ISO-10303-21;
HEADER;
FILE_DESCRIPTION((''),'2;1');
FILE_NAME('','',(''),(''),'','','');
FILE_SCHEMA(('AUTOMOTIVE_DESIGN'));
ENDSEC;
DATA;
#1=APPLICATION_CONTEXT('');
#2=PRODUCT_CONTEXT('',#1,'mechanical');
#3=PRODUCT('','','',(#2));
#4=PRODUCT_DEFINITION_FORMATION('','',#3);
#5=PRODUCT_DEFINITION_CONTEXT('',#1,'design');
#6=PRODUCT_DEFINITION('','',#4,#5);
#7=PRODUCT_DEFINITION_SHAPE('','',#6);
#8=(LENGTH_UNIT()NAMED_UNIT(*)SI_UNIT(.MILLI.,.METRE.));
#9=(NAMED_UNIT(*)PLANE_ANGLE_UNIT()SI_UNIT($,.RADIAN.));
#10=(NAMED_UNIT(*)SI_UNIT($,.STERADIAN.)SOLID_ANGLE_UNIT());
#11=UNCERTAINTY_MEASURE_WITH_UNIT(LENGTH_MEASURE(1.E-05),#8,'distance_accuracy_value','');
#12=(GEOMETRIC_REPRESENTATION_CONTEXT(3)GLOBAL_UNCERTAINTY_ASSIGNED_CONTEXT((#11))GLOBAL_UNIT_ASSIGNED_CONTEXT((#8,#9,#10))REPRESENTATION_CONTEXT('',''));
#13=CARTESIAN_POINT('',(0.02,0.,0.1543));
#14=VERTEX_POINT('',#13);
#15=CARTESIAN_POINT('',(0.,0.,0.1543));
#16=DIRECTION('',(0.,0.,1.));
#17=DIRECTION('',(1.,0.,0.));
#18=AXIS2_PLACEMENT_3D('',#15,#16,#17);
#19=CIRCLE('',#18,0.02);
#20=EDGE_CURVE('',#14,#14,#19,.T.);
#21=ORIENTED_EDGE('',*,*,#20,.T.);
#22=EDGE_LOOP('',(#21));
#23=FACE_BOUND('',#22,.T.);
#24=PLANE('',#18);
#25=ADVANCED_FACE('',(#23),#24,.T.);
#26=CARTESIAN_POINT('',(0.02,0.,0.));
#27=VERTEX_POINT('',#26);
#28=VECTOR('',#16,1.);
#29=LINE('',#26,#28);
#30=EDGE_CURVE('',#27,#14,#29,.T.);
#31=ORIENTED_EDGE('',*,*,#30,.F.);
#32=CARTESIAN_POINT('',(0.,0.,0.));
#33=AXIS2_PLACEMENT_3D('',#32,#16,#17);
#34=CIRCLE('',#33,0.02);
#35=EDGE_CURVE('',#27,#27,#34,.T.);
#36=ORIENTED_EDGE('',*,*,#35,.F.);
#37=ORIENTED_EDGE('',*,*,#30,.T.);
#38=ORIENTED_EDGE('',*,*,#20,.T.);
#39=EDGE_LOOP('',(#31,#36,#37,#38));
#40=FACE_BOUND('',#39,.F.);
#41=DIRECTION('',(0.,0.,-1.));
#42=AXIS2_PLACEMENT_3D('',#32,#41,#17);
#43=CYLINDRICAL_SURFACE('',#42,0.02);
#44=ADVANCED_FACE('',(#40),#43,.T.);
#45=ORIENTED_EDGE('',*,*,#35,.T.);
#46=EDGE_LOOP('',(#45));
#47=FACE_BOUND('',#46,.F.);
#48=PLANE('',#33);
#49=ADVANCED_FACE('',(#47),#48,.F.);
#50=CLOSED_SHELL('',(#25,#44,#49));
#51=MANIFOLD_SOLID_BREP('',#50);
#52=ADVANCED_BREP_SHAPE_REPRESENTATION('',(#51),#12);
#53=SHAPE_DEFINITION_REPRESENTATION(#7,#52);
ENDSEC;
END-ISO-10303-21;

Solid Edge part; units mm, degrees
sketch "Sketch1" plane through (0, 0, 0) normal (0, 0, 1) x (1, 0, 0)
  circle A0 centre (0, 0) radius 0.02
  dimension "D1" = 0.04
extrude "Protrusion1" add sketch "Sketch1" along normal blind 0.1543
